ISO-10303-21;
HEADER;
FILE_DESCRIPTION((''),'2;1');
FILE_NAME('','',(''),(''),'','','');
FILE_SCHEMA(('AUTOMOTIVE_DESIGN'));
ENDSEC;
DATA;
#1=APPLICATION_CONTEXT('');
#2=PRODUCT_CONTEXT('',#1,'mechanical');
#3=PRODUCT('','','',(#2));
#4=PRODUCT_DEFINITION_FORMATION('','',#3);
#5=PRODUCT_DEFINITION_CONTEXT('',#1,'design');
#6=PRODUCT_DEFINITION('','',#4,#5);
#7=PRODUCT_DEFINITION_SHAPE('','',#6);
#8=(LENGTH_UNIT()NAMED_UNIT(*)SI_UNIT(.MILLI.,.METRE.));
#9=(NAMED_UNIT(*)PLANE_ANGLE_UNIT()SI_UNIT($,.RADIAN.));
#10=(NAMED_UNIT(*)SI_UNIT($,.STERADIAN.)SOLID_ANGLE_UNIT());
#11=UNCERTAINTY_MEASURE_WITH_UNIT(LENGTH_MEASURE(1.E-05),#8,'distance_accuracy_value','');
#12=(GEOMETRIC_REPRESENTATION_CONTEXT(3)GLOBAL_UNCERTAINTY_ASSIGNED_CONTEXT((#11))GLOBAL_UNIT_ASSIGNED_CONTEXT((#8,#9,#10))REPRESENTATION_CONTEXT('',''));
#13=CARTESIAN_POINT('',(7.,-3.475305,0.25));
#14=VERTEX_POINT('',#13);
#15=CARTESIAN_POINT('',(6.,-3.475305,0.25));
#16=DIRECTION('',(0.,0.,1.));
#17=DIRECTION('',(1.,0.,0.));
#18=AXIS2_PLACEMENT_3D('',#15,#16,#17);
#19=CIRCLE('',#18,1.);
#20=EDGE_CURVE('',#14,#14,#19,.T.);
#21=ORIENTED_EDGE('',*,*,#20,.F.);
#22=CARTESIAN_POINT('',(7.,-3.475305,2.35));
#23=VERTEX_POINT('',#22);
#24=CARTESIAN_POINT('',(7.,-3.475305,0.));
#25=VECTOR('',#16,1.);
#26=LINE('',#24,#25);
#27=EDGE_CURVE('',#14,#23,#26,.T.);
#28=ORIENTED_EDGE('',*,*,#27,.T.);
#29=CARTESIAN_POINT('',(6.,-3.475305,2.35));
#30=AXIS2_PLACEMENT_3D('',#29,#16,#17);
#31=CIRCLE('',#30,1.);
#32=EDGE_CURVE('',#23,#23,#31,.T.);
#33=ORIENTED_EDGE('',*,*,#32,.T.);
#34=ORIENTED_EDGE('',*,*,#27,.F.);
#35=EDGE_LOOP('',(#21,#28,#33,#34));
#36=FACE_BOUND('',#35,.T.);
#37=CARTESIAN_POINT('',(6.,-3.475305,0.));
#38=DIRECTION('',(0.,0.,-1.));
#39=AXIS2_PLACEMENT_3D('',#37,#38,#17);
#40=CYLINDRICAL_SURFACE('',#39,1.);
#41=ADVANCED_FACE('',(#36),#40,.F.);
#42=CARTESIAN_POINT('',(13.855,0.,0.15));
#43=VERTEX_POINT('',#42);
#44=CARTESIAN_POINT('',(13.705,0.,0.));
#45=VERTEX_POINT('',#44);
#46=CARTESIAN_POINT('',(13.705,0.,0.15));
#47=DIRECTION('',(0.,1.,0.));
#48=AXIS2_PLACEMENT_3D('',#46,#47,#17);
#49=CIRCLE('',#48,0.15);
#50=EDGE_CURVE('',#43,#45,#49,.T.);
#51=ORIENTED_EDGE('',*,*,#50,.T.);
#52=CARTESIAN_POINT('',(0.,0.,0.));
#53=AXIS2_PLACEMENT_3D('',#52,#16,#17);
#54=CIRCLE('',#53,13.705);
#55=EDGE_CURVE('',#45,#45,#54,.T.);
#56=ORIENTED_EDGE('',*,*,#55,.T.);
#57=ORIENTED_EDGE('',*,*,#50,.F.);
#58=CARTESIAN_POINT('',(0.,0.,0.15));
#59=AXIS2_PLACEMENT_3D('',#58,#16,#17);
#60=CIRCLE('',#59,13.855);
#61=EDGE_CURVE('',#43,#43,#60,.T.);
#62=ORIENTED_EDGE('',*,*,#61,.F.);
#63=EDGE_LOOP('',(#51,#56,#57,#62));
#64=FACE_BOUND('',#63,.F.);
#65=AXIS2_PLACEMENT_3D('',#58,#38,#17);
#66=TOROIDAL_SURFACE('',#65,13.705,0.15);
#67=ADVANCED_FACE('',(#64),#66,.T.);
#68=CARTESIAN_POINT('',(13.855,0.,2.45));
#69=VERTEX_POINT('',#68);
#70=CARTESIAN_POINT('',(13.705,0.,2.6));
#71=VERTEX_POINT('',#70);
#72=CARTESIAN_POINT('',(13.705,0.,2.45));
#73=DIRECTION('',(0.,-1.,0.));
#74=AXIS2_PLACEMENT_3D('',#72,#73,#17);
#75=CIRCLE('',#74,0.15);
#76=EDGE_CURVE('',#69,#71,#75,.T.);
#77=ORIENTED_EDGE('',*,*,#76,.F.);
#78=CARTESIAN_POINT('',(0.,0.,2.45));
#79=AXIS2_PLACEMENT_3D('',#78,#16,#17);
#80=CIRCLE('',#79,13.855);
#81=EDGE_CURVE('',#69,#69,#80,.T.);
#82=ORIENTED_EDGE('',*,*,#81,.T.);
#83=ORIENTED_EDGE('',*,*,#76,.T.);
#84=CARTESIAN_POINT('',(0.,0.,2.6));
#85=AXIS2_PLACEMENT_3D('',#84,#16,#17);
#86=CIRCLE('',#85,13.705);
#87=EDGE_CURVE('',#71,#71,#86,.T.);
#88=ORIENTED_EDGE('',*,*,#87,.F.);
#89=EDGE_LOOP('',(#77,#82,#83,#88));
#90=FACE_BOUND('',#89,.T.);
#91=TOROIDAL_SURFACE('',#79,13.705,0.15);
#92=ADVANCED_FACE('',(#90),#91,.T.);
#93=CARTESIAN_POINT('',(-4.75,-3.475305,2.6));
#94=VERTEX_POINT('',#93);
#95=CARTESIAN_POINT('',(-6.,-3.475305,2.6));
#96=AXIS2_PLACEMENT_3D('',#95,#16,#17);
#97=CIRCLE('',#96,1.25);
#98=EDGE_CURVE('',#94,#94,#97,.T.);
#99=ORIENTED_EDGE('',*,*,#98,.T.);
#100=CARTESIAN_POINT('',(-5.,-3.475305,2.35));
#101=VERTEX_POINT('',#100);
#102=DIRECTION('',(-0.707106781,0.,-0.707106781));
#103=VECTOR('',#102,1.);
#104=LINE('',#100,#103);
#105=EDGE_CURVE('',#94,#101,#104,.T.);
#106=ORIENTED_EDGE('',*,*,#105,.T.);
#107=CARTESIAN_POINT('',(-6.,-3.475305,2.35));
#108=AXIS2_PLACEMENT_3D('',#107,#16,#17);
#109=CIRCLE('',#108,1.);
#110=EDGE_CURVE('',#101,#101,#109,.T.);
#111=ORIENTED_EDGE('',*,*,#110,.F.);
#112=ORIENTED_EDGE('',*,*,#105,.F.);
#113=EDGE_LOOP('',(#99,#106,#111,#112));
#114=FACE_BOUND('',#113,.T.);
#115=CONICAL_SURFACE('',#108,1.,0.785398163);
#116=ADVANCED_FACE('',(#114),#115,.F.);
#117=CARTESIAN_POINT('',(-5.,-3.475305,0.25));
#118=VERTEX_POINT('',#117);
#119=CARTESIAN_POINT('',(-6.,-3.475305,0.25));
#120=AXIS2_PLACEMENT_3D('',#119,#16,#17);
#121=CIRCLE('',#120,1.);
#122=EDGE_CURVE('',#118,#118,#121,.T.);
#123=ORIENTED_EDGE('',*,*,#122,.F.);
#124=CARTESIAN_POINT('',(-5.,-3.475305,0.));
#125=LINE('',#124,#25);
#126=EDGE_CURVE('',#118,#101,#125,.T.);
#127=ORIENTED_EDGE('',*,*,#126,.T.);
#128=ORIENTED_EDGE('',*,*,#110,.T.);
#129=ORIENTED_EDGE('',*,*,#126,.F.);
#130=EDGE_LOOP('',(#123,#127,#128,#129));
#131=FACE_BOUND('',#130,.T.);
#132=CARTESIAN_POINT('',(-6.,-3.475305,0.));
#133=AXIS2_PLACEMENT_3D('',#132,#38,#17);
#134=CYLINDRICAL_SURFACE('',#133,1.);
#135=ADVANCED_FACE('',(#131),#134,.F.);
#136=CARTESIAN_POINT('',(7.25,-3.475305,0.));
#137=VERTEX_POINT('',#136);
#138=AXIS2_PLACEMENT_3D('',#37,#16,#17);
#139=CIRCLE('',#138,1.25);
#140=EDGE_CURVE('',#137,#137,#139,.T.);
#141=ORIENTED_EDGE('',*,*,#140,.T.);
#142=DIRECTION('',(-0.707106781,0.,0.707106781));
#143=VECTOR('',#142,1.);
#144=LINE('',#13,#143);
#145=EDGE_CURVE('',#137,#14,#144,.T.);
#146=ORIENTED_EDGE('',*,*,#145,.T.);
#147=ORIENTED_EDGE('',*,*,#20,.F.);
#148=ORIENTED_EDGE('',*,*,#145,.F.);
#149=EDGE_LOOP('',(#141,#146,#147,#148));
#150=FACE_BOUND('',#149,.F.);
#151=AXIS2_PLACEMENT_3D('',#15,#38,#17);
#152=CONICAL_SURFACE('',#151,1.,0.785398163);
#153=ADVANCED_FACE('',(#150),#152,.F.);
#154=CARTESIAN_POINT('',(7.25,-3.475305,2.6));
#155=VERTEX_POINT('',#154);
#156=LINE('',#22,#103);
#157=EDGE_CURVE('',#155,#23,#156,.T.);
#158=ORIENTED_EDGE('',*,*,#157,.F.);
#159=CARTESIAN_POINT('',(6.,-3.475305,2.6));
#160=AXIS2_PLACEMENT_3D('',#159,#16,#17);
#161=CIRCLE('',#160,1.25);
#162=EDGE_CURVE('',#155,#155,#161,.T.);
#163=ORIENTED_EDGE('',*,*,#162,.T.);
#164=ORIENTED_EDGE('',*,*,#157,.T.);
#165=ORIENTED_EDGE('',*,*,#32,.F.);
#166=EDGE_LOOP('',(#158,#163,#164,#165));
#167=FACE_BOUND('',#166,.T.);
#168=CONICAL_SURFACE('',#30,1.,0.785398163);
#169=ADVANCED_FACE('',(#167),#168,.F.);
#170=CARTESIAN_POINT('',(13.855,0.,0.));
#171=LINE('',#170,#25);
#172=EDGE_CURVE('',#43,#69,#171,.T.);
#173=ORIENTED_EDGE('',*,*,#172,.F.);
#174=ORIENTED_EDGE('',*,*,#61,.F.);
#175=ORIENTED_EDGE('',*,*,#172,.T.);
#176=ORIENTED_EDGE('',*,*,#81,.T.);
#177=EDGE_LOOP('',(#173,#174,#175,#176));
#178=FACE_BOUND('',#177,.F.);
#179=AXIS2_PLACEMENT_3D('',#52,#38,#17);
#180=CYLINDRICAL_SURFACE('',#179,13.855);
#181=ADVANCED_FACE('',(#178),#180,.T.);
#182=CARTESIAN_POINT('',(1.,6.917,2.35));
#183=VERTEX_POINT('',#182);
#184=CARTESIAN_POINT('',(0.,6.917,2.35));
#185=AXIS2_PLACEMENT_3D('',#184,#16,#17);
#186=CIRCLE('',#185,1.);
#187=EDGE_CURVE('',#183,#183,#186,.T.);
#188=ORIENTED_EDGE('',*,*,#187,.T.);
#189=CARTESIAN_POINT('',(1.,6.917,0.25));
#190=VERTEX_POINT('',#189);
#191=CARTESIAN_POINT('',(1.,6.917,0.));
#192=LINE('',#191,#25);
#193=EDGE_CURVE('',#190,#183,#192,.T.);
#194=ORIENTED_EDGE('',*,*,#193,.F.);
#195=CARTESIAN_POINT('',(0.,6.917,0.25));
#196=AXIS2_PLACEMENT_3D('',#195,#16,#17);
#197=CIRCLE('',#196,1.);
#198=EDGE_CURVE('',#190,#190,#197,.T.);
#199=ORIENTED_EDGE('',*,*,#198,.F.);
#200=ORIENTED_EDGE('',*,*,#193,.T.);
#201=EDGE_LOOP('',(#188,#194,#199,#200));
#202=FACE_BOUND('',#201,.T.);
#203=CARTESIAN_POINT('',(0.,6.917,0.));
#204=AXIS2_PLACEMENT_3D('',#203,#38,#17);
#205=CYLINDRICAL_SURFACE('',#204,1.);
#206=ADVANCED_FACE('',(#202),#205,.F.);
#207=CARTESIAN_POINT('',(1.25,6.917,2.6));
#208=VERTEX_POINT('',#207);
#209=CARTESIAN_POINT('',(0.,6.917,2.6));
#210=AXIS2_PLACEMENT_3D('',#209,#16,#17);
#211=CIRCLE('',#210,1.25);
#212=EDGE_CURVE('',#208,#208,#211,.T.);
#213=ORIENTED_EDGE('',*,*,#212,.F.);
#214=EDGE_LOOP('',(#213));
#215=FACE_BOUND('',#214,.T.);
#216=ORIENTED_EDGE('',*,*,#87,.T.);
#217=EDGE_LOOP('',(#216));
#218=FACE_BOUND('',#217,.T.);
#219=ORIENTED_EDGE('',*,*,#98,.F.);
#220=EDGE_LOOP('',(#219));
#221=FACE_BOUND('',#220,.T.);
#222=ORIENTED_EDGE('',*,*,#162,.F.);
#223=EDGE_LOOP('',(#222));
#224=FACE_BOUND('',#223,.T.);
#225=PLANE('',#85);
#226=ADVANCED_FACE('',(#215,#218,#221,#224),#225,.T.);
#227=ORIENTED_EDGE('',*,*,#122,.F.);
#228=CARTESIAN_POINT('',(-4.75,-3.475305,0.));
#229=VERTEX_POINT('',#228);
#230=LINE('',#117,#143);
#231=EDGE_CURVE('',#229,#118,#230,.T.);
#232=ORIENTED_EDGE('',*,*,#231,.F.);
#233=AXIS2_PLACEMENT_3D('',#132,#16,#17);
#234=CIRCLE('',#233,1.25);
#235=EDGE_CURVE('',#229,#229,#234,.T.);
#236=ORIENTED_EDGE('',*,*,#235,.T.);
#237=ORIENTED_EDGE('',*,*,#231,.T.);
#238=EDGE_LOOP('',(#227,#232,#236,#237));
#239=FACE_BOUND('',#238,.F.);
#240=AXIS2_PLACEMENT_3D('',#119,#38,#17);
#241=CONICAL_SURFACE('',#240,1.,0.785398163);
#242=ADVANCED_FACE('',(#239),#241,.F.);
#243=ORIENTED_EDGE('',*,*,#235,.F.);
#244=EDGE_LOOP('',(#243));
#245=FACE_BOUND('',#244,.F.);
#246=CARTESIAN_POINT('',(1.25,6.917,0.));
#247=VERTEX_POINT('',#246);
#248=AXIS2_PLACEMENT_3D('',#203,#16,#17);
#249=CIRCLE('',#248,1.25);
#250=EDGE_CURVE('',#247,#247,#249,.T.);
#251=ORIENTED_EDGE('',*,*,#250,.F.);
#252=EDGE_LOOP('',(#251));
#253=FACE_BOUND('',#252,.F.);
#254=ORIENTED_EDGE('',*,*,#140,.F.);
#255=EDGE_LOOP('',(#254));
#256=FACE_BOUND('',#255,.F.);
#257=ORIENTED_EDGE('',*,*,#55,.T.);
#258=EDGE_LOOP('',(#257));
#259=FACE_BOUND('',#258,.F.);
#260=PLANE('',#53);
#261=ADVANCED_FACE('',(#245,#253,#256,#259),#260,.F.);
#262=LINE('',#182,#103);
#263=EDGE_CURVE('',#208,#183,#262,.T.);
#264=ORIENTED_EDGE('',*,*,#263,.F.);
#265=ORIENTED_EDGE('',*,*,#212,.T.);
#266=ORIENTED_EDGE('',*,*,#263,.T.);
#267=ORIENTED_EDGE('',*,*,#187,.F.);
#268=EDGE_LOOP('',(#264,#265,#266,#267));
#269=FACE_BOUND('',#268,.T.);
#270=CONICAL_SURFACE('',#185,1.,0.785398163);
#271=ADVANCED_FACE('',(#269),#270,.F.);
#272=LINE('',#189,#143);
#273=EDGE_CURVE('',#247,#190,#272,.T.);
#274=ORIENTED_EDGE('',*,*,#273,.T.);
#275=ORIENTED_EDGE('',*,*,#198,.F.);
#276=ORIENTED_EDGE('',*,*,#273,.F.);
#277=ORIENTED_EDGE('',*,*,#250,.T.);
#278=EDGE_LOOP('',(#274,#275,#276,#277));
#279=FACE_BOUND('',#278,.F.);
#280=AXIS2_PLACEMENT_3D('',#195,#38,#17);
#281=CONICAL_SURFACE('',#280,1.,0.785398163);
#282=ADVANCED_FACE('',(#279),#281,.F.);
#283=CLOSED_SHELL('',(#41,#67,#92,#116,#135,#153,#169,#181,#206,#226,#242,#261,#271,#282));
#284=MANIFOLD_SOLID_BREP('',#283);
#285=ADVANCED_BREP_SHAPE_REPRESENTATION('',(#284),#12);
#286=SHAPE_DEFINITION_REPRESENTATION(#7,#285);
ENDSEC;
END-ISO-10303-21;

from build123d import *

# Parameters (mm, degrees)
F0_R     = 13.855
F0_R_2   = 1
F1_DEPTH = 2.6
F2_R     = 0.15
F3_SIZE  = 0.25


with BuildPart() as f1:
    # F0 (on Top) → F1 (new body)
    with BuildSketch(Plane.XY):
        Circle(F0_R)
        with Locations((-6, -3.475305)):
            Circle(F0_R_2, mode=Mode.SUBTRACT)
        with Locations((6, -3.475305)):
            Circle(F0_R_2, mode=Mode.SUBTRACT)
        with Locations((0, 6.917)):
            Circle(F0_R_2, mode=Mode.SUBTRACT)
    extrude(amount=F1_DEPTH)

    # F2
    f2_edges = [f1.edges().sort_by_distance(p)[0] for p in [
        (-13.855, 0, 2.6),
        (-13.855, 0, 0),
    ]]
    fillet(f2_edges, radius=F2_R)

    # F3
    f3_edges = [f1.edges().sort_by_distance(p)[0] for p in [
        (-1, 6.917, 2.6),
        (5, -3.475305, 2.6),
        (5, -3.475305, 0),
        (-1, 6.917, 0),
        (-7, -3.475305, 2.6),
        (-7, -3.475305, 0),
    ]]
    chamfer(f3_edges, length=F3_SIZE)


solid = f1.part
